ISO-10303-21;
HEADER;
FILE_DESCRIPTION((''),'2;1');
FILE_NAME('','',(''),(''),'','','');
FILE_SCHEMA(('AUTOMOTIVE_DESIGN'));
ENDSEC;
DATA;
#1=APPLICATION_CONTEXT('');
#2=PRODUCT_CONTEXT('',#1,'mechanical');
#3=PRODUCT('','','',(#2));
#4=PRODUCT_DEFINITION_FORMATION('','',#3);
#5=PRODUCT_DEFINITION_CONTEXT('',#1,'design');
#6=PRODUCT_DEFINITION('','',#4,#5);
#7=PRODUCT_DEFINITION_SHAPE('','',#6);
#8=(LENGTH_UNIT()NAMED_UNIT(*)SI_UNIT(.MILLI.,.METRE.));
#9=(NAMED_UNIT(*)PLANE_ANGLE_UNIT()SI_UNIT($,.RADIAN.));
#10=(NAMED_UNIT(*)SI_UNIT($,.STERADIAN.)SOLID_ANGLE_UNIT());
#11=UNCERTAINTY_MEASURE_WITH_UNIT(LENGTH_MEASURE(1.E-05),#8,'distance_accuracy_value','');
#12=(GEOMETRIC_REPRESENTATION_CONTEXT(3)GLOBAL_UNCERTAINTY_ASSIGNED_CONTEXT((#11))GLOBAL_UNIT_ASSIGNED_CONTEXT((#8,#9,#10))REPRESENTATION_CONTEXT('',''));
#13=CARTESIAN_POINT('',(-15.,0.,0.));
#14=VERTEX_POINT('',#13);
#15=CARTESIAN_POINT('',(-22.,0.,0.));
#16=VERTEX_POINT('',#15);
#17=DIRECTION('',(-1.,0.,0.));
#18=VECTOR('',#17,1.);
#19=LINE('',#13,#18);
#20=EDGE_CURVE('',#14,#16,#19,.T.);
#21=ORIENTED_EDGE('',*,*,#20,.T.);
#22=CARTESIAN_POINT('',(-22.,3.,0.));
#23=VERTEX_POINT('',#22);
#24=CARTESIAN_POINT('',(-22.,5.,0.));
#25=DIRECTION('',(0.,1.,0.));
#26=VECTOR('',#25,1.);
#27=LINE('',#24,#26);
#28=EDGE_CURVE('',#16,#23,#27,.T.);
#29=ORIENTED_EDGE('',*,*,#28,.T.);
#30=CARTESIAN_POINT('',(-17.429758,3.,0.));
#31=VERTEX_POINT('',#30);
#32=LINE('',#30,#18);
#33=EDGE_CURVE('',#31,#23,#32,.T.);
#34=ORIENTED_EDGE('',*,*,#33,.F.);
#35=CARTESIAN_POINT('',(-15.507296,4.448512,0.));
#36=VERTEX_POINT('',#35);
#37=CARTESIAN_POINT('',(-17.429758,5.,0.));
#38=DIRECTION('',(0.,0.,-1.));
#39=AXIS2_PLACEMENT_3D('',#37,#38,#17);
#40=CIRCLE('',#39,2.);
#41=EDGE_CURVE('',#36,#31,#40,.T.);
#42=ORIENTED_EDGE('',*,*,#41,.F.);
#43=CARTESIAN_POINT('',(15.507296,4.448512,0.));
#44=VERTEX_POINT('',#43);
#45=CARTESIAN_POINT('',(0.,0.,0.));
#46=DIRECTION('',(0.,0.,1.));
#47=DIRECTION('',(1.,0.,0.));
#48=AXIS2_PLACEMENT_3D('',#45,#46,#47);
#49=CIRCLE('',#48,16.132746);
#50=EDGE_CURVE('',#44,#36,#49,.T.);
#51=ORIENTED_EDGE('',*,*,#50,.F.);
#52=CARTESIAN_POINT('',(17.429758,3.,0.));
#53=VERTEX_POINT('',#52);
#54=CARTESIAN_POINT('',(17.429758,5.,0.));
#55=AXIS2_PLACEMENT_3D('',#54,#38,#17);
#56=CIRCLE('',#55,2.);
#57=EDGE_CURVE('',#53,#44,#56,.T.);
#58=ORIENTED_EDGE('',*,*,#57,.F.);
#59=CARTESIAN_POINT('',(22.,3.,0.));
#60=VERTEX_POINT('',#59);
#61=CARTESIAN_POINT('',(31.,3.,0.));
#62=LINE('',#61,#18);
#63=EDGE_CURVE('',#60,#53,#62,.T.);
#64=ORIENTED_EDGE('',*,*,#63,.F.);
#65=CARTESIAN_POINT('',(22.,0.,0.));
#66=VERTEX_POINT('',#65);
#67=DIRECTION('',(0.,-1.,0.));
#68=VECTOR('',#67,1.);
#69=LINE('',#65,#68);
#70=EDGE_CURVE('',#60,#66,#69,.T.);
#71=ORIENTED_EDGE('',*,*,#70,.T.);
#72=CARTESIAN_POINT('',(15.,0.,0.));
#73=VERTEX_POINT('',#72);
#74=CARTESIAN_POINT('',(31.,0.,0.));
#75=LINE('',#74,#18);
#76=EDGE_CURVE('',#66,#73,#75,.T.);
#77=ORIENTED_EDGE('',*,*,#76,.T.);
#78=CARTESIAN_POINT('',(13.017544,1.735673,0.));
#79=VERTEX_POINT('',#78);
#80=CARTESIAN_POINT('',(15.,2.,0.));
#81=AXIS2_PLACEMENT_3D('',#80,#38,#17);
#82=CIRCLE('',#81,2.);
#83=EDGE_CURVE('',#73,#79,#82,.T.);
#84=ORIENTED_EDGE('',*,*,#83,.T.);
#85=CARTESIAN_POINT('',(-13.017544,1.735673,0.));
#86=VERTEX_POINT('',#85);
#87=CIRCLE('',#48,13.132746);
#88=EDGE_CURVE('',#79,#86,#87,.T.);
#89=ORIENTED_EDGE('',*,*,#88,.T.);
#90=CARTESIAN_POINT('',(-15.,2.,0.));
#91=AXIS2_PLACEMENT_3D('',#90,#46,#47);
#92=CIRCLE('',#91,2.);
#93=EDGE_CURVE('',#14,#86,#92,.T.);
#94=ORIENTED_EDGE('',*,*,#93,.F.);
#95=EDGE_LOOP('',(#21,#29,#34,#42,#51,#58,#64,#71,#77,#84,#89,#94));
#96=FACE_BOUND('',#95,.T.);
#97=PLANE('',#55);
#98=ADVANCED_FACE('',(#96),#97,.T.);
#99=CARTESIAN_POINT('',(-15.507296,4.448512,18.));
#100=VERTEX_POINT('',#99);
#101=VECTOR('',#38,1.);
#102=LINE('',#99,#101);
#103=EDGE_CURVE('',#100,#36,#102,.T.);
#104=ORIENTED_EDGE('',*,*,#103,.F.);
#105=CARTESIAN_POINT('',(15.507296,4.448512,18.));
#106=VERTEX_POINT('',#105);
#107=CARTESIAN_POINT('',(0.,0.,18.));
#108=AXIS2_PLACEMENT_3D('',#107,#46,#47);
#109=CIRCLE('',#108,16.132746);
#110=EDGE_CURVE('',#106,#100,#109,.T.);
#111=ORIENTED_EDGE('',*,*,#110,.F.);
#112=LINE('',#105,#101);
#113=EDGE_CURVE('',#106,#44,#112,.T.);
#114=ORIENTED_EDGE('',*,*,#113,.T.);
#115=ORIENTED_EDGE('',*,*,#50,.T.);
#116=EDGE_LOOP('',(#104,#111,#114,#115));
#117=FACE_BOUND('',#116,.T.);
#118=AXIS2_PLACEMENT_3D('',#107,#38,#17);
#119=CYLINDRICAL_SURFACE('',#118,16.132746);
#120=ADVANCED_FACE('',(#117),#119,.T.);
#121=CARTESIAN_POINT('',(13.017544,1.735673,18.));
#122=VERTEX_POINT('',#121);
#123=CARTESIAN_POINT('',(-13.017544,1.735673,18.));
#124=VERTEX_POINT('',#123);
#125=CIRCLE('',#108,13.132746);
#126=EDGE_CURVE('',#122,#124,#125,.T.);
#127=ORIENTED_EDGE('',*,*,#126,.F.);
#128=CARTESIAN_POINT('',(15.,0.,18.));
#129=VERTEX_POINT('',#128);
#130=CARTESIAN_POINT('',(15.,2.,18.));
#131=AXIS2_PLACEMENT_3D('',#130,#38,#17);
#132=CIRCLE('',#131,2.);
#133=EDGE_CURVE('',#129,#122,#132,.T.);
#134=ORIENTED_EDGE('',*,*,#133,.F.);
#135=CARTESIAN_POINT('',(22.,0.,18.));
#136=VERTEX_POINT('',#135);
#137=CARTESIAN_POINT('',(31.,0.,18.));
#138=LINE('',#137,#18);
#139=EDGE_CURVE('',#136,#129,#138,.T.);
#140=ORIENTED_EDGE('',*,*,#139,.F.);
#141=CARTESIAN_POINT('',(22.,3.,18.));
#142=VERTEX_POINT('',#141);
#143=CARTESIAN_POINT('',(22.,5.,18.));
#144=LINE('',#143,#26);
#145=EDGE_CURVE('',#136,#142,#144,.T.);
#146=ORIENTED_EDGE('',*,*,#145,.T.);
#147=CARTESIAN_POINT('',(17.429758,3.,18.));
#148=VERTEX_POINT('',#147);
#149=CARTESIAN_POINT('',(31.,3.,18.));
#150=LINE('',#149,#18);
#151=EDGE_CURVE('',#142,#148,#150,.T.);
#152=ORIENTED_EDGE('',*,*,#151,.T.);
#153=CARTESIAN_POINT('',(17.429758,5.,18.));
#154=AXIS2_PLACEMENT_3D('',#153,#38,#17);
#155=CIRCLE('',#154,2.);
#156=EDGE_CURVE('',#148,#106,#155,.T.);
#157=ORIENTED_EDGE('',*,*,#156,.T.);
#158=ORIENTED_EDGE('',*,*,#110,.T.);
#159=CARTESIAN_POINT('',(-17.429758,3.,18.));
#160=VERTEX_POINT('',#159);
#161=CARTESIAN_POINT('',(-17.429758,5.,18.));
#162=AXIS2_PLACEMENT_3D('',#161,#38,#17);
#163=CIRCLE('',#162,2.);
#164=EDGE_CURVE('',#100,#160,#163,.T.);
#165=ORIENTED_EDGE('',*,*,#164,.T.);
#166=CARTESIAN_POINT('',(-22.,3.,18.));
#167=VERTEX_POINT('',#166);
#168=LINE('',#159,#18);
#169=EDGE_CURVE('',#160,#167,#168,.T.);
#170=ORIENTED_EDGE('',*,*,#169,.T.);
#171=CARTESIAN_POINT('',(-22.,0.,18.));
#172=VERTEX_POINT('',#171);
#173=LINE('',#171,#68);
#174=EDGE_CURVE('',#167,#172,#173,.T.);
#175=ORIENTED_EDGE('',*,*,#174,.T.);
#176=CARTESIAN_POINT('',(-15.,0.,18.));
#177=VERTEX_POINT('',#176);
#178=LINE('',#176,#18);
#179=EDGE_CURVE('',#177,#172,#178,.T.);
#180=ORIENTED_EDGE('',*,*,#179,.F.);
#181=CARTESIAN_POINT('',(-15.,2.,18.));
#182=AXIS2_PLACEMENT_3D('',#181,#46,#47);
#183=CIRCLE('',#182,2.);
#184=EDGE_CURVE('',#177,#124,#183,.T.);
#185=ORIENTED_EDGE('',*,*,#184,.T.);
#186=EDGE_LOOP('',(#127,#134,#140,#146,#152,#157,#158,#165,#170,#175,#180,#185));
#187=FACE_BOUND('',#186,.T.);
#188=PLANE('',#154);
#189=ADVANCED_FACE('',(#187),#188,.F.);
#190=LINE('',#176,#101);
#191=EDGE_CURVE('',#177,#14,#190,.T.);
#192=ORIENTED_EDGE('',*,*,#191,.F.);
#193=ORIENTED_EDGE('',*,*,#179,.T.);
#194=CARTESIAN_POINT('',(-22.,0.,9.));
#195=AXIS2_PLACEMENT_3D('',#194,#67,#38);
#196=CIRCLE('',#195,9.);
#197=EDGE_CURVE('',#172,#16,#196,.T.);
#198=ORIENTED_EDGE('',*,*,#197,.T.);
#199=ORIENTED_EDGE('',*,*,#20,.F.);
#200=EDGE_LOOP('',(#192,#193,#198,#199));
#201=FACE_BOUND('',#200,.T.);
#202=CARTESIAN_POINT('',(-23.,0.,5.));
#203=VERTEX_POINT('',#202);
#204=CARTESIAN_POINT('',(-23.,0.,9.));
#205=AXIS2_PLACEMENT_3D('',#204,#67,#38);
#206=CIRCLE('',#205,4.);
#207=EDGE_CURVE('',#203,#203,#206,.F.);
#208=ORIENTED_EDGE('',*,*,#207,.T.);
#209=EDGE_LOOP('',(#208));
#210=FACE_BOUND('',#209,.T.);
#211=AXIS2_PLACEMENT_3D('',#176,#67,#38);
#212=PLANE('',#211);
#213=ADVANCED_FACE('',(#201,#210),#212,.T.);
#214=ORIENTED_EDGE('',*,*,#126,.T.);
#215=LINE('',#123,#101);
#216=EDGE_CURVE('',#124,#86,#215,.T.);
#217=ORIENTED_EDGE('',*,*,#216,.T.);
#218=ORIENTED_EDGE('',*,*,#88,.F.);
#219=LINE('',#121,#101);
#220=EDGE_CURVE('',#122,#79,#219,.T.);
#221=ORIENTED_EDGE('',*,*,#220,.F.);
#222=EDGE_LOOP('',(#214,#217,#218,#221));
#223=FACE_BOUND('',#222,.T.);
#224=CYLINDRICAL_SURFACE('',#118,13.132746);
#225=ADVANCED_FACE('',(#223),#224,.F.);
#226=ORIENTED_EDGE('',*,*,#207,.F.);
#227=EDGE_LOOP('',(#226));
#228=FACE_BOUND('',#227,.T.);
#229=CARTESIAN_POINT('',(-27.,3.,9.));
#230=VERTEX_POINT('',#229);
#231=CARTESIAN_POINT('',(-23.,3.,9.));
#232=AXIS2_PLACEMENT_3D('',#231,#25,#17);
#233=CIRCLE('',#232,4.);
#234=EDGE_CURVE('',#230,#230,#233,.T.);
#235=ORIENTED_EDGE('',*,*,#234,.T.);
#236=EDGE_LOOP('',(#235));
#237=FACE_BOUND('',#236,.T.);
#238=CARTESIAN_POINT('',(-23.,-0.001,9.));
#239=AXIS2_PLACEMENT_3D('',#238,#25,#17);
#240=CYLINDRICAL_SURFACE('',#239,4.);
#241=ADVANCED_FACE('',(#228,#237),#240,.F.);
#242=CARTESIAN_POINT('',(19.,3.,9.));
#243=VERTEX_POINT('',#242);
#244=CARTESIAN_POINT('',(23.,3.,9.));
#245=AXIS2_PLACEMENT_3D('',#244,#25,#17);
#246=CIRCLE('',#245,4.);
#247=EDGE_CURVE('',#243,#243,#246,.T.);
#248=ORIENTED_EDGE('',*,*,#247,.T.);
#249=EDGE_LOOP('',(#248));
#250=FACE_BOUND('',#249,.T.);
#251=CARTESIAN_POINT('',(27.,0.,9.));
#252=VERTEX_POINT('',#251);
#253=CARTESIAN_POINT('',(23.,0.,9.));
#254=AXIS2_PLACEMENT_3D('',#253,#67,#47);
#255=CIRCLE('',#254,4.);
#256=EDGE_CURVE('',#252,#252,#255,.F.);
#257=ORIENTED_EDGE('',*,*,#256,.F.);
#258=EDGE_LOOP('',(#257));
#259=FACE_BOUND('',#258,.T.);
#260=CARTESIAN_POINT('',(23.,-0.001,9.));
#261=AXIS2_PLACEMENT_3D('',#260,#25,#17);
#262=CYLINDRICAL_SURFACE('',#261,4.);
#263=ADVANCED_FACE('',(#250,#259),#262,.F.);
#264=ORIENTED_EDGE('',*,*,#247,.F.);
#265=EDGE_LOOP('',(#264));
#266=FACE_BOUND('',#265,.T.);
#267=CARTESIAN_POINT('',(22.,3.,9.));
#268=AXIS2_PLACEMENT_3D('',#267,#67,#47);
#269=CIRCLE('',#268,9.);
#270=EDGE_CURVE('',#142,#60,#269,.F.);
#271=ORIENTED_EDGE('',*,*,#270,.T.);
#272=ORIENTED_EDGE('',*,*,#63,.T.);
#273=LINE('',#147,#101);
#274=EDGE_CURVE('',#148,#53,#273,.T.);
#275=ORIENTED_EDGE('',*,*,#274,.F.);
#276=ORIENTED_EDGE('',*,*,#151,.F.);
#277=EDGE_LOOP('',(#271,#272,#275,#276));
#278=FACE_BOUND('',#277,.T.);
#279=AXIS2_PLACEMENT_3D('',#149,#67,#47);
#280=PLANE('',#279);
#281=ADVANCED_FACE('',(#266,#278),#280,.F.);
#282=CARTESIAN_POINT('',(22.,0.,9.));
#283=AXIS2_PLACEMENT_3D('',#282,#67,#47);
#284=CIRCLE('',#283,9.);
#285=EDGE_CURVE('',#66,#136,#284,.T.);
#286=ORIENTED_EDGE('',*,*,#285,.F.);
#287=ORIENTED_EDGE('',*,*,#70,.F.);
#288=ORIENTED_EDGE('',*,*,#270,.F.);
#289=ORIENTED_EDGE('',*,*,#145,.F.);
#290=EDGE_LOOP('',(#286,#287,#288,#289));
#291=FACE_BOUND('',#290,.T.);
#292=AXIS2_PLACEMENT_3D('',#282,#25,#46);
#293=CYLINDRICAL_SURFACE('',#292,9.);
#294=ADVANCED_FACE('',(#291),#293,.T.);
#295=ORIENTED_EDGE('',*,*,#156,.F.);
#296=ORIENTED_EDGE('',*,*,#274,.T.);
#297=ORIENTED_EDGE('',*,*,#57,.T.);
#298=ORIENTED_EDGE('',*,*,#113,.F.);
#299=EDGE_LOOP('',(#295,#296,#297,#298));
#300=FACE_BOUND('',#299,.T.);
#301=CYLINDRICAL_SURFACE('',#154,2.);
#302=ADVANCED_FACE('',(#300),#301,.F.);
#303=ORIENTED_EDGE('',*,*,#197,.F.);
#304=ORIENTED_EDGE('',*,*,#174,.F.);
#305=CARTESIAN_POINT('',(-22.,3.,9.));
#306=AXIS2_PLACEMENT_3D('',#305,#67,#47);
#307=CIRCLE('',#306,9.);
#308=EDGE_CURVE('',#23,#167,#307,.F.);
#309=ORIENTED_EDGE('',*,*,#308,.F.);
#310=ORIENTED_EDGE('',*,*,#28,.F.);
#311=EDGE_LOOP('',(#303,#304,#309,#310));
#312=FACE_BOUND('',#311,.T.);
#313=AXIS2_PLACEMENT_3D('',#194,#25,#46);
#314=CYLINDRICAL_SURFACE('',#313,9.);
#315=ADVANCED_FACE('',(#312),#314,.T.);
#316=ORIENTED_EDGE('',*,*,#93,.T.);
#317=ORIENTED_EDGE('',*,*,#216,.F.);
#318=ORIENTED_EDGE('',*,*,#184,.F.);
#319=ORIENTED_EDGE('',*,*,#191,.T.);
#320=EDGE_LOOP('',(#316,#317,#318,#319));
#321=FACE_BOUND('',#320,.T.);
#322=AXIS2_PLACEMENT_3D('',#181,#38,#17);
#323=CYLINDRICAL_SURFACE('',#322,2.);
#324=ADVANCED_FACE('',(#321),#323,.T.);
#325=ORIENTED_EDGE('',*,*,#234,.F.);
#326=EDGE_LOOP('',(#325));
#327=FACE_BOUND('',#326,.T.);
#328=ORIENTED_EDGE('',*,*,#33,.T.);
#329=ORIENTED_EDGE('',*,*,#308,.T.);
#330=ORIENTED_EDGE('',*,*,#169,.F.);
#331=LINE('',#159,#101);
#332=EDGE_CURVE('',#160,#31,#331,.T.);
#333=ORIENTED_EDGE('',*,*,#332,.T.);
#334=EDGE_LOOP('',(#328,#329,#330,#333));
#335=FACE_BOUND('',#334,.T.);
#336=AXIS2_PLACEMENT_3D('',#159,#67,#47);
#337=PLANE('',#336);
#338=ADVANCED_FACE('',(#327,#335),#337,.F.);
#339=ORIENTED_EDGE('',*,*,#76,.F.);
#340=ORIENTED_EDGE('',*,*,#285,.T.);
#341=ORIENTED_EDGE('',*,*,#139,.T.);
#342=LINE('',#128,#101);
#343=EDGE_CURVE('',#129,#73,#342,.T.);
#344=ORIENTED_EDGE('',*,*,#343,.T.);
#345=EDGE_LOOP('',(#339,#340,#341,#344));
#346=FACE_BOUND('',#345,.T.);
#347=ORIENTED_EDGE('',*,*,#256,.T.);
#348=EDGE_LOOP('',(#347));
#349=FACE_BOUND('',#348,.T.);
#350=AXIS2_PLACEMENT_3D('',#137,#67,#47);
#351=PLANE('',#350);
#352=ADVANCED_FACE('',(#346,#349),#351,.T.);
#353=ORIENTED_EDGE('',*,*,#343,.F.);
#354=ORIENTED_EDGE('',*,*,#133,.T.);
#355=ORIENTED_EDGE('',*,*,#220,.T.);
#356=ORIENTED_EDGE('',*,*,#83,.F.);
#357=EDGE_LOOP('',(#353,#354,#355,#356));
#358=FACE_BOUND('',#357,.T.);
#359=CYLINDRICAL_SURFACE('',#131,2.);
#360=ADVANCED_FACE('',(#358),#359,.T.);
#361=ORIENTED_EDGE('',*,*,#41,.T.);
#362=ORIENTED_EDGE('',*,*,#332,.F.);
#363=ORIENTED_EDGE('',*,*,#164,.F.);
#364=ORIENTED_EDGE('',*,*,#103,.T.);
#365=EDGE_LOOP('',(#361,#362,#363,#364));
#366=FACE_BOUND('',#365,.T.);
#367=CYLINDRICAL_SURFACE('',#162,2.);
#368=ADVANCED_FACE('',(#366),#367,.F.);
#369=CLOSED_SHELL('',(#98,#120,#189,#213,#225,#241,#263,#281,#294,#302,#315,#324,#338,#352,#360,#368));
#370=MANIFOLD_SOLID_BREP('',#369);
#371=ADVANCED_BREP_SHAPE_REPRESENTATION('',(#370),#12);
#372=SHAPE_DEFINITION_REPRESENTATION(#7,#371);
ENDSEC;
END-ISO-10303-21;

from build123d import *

# Parameters (mm, degrees)
BOSS_EXTRUDE1_DEPTH = 18
CUT_EXTRUDE1_REACH  = 40.177
SKETCH2_R           = 4
FILLET2_RADIUS      = 9
FILLET2_LENGTH      = 3
FILLET3_RADIUS      = 9
FILLET3_LENGTH      = 3


with BuildPart() as part:
    # Sketch1 → Boss-Extrude1 (new body)
    with BuildSketch(Plane.XY):
        with BuildLine():
            Line((31, 0), (15, 0))
            ThreePointArc((15, 0), (13.682550737, 0.495231765), (13.017544199, 1.73567256))
            ThreePointArc((13.017544199, 1.73567256), (0, 13.13274595), (-13.017544199, 1.73567256))
            ThreePointArc((-13.017544199, 1.73567256), (-13.682550737, 0.495231765), (-15, 0))
            Line((-15, 0), (-31, 0))
            Line((-31, 0), (-31, 3))
            Line((-31, 3), (-17.429758337, 3))
            ThreePointArc((-17.429758337, 3), (-16.226217084, 3.402662073), (-15.507296248, 4.448511548))
            ThreePointArc((-15.507296248, 4.448511548), (0, 16.13274595), (15.507296248, 4.448511548))
            ThreePointArc((15.507296248, 4.448511548), (16.226217084, 3.402662073), (17.429758337, 3))
            Line((17.429758337, 3), (31, 3))
            Line((31, 3), (31, 0))
        make_face()
    extrude(amount=BOSS_EXTRUDE1_DEPTH)

    # Sketch2 → Cut-Extrude1 (cut, up to next)
    with BuildSketch(Plane(origin=(0, 3, 0), x_dir=(1, 0, 0), z_dir=(0, 1, 0)), mode=Mode.PRIVATE) as cut_extrude1_sk1:
        with Locations(Location((-23, -9, 0), (0, 0, 180))):
            Circle(SKETCH2_R)
    cut_extrude1_tool1 = extrude(cut_extrude1_sk1.sketch, amount=-CUT_EXTRUDE1_REACH, mode=Mode.PRIVATE) & part.part
    # Sketch2 → Cut-Extrude1 (cut, up to next)
    with BuildSketch(Plane(origin=(0, 3, 0), x_dir=(1, 0, 0), z_dir=(0, 1, 0)), mode=Mode.PRIVATE) as cut_extrude1_sk2:
        with Locations(Location((23, -9, 0), (0, 0, 180))):
            Circle(SKETCH2_R)
    cut_extrude1_tool2 = extrude(cut_extrude1_sk2.sketch, amount=-CUT_EXTRUDE1_REACH, mode=Mode.PRIVATE) & part.part
    add(cut_extrude1_tool1.solids().sort_by_distance((-23, 3, 9))[0], mode=Mode.SUBTRACT)
    add(cut_extrude1_tool2.solids().sort_by_distance((23, 3, 9))[0], mode=Mode.SUBTRACT)

    # Fillet2: full round fillet: the end face becomes a half cylinder, R = half its width
    fillet2_face = Plane((-31, 1.5, 9), x_dir=(0, -1, 0), z_dir=(-1, 0, 0))  # on the end face: x along it, z out of the body
    fillet2_slab = fillet2_face.offset(-FILLET2_RADIUS / 2) * Box(FILLET2_LENGTH, 2 * FILLET2_RADIUS, FILLET2_RADIUS, mode=Mode.PRIVATE)  # the body's end, R deep
    fillet2_round = Plane((-22, 1.5, 9), x_dir=(-1, 0, 0), z_dir=(0, -1, 0)) * Cylinder(FILLET2_RADIUS, FILLET2_LENGTH, mode=Mode.PRIVATE)  # its axis R under the face
    add(fillet2_slab - fillet2_round, mode=Mode.SUBTRACT)

    # Fillet3: full round fillet: the end face becomes a half cylinder, R = half its width
    fillet3_face = Plane((31, 1.5, 9), x_dir=(0, 1, 0), z_dir=(1, 0, 0))  # on the end face: x along it, z out of the body
    fillet3_slab = fillet3_face.offset(-FILLET3_RADIUS / 2) * Box(FILLET3_LENGTH, 2 * FILLET3_RADIUS, FILLET3_RADIUS, mode=Mode.PRIVATE)  # the body's end, R deep
    fillet3_round = Plane((22, 1.5, 9), x_dir=(1, 0, 0), z_dir=(0, 1, 0)) * Cylinder(FILLET3_RADIUS, FILLET3_LENGTH, mode=Mode.PRIVATE)  # its axis R under the face
    add(fillet3_slab - fillet3_round, mode=Mode.SUBTRACT)


solid = part.part
